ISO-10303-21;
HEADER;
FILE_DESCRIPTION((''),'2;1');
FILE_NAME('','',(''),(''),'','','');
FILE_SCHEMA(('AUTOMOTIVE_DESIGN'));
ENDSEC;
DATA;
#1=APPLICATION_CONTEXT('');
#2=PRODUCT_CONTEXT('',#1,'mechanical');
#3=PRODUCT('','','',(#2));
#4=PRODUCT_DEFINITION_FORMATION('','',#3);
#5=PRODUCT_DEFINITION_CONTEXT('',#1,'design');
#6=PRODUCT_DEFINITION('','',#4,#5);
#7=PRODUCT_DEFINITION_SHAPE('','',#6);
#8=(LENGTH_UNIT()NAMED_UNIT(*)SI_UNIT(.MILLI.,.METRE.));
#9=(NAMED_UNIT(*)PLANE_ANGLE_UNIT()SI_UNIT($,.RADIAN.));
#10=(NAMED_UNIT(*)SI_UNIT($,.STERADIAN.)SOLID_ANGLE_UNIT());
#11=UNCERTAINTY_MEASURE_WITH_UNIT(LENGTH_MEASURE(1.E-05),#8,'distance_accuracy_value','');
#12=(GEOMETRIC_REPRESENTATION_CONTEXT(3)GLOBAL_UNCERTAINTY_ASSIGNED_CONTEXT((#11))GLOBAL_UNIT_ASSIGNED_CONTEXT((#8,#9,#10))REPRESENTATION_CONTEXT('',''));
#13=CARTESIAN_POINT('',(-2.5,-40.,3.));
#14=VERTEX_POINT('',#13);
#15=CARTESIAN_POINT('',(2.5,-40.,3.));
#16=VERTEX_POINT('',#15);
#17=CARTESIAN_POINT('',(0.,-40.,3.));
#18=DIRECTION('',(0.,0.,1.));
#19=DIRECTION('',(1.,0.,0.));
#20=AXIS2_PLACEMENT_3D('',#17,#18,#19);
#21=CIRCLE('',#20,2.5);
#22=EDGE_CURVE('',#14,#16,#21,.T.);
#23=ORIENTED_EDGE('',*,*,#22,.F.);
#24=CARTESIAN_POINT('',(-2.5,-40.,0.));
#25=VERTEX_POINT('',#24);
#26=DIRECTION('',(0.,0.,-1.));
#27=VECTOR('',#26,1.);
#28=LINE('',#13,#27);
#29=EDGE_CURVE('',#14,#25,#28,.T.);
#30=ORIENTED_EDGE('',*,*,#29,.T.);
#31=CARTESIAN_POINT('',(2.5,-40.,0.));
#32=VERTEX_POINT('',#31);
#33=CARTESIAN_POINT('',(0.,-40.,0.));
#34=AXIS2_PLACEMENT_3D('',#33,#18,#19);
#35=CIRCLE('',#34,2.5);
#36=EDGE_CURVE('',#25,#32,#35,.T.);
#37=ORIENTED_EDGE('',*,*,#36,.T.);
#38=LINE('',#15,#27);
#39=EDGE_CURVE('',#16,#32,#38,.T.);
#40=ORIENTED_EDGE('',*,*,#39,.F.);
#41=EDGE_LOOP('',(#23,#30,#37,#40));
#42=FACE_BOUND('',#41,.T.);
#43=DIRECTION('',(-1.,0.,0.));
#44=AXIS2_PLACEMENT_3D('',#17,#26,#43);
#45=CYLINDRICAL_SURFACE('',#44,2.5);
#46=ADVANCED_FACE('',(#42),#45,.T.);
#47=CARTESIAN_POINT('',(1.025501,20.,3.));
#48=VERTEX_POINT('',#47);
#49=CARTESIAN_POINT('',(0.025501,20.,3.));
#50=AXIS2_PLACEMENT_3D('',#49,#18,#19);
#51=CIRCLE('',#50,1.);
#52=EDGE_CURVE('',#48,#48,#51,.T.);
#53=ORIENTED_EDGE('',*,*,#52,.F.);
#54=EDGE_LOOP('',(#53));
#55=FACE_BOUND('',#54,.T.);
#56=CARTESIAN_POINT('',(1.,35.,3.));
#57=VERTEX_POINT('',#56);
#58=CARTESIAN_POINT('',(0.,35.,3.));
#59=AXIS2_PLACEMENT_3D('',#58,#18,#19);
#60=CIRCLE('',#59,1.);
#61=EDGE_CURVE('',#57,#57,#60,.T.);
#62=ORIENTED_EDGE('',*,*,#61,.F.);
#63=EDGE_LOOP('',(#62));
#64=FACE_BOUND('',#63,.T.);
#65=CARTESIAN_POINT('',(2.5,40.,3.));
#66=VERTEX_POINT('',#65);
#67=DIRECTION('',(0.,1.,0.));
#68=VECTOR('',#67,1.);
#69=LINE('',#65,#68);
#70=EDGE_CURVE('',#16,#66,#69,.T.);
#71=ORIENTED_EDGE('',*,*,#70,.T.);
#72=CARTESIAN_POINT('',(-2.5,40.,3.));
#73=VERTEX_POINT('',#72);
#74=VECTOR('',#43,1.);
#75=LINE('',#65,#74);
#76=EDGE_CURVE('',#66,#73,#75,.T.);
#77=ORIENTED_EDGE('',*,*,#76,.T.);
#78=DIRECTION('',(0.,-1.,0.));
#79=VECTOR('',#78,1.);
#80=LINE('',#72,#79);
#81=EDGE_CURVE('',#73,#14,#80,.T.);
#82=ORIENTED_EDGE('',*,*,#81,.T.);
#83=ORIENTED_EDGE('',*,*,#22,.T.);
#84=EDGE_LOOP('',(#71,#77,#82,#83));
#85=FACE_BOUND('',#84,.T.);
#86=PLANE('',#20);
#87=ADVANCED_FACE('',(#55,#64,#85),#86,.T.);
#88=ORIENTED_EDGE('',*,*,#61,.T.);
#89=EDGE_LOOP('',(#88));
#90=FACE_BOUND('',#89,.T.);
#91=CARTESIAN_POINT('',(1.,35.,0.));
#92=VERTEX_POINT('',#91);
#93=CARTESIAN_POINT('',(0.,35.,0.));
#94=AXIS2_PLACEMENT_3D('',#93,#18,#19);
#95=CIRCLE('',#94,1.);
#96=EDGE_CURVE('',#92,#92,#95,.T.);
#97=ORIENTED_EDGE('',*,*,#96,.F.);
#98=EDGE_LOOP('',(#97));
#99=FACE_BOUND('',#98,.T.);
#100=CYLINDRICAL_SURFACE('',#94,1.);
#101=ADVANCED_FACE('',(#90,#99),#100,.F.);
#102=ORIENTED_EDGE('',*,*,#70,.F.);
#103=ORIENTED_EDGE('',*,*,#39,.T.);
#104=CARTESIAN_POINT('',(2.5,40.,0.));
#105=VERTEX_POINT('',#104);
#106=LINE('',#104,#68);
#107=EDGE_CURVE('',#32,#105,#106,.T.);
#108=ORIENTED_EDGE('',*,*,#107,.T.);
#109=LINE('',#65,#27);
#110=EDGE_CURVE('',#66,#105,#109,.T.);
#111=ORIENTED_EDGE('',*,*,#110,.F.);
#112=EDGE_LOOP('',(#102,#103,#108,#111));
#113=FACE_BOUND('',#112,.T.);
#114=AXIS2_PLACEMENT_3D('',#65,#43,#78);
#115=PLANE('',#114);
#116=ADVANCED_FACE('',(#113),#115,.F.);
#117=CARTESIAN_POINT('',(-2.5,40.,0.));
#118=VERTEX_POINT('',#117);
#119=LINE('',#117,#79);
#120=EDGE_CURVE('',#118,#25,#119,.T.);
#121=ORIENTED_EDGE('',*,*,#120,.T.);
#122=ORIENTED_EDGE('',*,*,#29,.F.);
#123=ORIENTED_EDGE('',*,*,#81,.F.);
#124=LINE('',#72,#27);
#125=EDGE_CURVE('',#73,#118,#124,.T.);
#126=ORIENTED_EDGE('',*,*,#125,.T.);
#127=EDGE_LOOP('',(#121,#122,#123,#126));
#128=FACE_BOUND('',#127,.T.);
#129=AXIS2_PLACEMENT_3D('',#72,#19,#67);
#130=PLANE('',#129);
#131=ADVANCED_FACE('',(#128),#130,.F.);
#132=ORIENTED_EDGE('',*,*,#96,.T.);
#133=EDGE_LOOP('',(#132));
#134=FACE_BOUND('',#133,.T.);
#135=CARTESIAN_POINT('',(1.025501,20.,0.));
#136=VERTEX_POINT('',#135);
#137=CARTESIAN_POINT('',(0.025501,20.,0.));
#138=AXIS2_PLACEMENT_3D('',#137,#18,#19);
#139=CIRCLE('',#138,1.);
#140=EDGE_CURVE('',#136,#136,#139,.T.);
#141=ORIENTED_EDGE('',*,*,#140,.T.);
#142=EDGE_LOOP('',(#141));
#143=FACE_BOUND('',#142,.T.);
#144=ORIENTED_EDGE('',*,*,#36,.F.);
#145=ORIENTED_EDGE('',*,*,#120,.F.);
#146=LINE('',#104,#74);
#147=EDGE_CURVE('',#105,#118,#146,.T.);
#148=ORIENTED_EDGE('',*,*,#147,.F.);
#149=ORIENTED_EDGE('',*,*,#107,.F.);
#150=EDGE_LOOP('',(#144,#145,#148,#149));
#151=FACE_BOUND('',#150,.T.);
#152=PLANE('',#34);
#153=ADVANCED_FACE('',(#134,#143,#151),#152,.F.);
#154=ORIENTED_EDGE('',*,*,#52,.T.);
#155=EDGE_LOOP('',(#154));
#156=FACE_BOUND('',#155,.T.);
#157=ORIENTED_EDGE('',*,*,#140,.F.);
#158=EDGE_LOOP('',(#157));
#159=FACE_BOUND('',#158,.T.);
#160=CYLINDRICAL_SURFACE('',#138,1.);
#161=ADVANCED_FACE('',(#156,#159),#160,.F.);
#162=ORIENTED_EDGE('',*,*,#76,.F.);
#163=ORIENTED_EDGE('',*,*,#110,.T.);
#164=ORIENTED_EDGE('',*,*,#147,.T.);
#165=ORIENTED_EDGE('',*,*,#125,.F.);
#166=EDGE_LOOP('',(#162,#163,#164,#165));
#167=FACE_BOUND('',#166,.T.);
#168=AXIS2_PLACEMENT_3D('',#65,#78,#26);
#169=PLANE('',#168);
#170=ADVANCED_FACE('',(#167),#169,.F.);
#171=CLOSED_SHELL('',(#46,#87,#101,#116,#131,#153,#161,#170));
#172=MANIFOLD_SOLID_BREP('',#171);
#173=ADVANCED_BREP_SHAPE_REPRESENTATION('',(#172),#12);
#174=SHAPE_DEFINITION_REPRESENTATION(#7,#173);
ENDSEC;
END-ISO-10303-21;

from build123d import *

# Parameters (mm, degrees)
BOSS_EXTRUDE1_DEPTH = 3
SKETCH2_R           = 1
CUT_EXTRUDE1_DEPTH  = 43.679034666


with BuildPart() as part:
    # Sketch1 → Boss-Extrude1 (new body)
    with BuildSketch(Plane.XY):
        with BuildLine():
            Line((2.5, 40), (-2.5, 40))
            Line((-2.5, 40), (-2.5, -40))
            ThreePointArc((-2.5, -40), (0, -42.5), (2.5, -40))
            Line((2.5, -40), (2.5, 40))
        make_face()
    extrude(amount=BOSS_EXTRUDE1_DEPTH)

    # Sketch2 → Cut-Extrude1 (cut, through all)
    with BuildSketch(Plane.XY.offset(3)):
        with Locations((0, 35)):
            Circle(SKETCH2_R)
        with Locations((0.025500912, 20)):
            Circle(SKETCH2_R)
    extrude(amount=-CUT_EXTRUDE1_DEPTH, mode=Mode.SUBTRACT)


solid = part.part
